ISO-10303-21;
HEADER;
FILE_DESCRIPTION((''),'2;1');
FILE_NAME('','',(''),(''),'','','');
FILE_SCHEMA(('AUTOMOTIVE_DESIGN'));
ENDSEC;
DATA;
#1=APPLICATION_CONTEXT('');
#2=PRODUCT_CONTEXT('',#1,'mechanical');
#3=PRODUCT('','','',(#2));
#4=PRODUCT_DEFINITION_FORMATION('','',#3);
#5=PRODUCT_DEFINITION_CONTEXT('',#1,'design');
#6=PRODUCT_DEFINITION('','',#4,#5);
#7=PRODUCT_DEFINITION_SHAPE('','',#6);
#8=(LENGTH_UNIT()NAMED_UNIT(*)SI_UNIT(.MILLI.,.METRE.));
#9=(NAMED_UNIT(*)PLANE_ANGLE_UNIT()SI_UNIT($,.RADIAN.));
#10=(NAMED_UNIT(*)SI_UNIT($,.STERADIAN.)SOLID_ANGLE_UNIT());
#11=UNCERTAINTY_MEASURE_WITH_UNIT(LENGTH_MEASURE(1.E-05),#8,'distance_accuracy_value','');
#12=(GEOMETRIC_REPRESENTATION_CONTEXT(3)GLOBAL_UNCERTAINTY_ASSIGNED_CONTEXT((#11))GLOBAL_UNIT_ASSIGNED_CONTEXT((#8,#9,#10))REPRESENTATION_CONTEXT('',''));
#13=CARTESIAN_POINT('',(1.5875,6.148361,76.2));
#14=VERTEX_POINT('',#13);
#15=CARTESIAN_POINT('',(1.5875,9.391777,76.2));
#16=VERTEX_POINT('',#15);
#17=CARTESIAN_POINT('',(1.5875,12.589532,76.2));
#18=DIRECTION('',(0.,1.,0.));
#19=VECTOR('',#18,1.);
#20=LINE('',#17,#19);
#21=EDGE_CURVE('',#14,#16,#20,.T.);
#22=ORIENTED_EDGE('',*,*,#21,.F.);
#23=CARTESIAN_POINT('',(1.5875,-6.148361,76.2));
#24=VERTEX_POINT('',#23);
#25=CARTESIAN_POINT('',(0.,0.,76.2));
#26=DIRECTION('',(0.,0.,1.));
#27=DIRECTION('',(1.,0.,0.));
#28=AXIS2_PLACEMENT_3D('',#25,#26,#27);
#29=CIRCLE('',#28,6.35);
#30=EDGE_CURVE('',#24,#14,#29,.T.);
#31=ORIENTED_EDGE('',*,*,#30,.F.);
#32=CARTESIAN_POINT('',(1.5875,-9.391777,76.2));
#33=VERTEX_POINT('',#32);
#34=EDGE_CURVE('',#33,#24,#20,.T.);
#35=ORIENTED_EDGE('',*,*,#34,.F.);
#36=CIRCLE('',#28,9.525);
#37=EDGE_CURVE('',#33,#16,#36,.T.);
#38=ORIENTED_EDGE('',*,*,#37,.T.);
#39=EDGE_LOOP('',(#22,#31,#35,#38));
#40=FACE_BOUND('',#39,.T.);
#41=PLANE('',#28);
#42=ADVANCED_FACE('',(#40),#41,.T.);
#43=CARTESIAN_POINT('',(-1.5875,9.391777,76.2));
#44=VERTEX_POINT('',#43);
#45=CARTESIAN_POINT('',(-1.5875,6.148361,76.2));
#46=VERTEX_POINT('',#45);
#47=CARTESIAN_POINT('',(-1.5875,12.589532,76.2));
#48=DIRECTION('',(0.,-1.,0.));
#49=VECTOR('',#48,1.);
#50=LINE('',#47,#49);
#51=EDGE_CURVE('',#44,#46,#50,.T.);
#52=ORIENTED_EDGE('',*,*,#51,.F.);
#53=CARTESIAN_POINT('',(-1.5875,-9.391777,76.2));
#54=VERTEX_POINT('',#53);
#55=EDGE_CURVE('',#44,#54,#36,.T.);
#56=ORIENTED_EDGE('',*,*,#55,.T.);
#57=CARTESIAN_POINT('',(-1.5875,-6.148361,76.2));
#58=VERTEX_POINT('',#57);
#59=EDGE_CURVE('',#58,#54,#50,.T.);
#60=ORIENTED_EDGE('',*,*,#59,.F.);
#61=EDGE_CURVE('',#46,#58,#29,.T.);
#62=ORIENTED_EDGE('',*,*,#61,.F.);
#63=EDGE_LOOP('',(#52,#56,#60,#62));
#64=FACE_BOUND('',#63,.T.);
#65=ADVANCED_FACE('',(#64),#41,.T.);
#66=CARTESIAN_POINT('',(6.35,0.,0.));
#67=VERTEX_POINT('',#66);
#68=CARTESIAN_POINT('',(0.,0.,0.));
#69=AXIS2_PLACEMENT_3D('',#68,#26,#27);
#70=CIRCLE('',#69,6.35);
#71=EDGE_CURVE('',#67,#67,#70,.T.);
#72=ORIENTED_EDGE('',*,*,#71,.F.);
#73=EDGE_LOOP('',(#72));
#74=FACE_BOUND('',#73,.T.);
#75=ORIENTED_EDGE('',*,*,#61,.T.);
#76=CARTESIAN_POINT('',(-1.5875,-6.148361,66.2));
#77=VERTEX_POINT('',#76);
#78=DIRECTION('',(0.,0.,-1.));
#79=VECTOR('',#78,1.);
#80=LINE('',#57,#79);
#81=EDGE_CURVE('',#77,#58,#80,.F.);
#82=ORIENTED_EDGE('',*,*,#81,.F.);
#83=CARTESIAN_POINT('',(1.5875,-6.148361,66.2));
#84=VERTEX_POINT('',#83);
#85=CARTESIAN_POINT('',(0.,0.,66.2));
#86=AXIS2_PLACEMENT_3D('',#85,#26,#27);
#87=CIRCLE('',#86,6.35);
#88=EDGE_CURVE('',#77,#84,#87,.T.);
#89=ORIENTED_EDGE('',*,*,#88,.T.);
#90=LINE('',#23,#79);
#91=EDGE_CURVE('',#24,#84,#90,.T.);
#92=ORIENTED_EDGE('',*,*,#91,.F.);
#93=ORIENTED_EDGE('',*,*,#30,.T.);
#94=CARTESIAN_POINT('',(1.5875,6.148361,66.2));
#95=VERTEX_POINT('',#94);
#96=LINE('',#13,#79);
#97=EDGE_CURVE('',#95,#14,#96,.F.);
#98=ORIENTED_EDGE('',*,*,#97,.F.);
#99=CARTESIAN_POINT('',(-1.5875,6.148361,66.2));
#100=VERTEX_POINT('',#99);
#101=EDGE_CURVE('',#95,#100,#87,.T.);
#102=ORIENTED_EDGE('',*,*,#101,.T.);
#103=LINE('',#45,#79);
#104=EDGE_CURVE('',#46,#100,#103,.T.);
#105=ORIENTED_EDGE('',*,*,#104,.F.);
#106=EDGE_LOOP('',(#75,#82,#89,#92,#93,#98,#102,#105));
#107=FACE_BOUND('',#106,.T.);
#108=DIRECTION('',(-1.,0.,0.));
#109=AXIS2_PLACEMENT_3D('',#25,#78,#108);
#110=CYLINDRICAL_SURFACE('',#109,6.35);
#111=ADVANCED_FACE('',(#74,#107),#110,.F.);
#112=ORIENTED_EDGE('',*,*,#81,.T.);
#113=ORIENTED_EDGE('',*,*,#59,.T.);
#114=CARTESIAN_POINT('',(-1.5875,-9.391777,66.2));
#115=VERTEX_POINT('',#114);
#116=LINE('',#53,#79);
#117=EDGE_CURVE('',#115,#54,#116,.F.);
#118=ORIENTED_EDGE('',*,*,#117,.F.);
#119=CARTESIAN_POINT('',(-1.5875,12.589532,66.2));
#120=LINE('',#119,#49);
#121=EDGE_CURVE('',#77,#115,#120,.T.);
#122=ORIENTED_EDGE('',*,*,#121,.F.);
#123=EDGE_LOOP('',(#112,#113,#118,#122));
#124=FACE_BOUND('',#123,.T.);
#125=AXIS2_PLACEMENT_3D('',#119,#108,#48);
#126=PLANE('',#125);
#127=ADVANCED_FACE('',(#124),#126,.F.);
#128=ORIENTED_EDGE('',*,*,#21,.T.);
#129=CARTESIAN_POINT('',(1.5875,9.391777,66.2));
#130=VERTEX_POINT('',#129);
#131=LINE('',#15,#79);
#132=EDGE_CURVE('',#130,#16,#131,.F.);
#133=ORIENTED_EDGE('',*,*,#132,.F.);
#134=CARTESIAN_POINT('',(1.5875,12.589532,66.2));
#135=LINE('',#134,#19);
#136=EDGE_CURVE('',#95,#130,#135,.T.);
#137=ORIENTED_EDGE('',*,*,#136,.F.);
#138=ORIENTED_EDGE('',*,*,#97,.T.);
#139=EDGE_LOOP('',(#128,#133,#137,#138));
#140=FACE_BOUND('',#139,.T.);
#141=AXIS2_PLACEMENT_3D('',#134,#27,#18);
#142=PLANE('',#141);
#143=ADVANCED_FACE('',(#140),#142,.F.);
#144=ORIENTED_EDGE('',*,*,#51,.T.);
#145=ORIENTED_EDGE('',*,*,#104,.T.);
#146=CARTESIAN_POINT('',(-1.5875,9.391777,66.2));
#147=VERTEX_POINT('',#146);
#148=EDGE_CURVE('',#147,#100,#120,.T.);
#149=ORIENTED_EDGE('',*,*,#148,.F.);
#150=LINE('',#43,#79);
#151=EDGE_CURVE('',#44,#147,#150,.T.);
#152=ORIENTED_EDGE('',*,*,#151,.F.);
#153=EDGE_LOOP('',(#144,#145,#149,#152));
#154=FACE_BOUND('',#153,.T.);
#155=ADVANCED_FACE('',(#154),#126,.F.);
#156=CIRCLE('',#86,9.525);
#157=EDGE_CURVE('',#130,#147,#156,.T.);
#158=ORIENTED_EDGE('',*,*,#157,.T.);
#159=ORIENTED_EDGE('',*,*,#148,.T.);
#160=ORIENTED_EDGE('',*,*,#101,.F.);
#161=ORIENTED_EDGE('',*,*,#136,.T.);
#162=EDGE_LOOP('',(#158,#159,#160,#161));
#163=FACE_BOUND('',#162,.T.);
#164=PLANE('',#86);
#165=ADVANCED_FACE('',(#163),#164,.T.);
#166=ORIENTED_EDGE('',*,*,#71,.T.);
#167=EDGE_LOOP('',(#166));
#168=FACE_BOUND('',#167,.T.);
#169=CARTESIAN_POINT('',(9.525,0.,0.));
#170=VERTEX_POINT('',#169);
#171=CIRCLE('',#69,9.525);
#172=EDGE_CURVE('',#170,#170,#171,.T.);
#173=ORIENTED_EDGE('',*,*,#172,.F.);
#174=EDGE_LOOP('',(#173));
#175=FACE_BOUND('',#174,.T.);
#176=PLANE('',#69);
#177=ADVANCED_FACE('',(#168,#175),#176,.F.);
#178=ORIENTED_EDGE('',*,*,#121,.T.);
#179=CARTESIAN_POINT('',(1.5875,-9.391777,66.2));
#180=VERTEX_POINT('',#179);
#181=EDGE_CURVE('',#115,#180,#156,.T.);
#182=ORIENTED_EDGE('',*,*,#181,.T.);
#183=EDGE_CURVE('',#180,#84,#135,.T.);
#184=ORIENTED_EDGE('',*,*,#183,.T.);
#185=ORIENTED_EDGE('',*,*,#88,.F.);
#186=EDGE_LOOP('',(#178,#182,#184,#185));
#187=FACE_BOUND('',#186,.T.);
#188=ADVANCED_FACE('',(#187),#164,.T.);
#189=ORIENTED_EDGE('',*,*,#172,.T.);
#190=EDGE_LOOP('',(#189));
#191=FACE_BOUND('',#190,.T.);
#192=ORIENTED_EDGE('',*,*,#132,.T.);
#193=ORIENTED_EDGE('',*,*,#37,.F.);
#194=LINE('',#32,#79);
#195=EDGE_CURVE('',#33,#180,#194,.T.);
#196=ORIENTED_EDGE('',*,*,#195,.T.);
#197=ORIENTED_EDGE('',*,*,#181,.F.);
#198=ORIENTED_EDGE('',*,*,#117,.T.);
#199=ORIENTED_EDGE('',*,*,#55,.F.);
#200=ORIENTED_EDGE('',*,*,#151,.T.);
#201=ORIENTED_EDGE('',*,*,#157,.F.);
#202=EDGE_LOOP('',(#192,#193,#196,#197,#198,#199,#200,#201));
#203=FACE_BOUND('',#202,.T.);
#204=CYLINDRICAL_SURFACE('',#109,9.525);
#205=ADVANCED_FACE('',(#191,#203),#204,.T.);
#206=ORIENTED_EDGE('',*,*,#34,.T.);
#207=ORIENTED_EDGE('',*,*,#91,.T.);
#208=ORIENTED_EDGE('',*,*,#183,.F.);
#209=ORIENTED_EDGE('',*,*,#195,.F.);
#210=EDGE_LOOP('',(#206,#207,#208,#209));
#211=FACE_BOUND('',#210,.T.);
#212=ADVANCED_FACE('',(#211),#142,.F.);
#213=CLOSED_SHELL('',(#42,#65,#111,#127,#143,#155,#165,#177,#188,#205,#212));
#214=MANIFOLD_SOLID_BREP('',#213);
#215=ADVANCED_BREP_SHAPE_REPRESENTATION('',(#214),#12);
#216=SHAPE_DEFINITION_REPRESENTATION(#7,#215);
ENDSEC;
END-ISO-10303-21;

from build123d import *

# Parameters (mm, degrees)
SKETCH1_R           = 9.525
SKETCH1_R_2         = 6.35
BOSS_EXTRUDE1_DEPTH = 76.2
SKETCH2_W           = 3.175
SKETCH2_H           = 25.179063452
CUT_EXTRUDE1_DEPTH  = 10


with BuildPart() as part:
    # Sketch1 → Boss-Extrude1 (new body)
    with BuildSketch(Plane.XY):
        Circle(SKETCH1_R)
        Circle(SKETCH1_R_2, mode=Mode.SUBTRACT)
    extrude(amount=BOSS_EXTRUDE1_DEPTH)

    # Sketch2 → Cut-Extrude1 (cut)
    with BuildSketch(Plane.XY.offset(76.2)):
        Rectangle(SKETCH2_W, SKETCH2_H)
    extrude(amount=-CUT_EXTRUDE1_DEPTH, mode=Mode.SUBTRACT)


solid = part.part
